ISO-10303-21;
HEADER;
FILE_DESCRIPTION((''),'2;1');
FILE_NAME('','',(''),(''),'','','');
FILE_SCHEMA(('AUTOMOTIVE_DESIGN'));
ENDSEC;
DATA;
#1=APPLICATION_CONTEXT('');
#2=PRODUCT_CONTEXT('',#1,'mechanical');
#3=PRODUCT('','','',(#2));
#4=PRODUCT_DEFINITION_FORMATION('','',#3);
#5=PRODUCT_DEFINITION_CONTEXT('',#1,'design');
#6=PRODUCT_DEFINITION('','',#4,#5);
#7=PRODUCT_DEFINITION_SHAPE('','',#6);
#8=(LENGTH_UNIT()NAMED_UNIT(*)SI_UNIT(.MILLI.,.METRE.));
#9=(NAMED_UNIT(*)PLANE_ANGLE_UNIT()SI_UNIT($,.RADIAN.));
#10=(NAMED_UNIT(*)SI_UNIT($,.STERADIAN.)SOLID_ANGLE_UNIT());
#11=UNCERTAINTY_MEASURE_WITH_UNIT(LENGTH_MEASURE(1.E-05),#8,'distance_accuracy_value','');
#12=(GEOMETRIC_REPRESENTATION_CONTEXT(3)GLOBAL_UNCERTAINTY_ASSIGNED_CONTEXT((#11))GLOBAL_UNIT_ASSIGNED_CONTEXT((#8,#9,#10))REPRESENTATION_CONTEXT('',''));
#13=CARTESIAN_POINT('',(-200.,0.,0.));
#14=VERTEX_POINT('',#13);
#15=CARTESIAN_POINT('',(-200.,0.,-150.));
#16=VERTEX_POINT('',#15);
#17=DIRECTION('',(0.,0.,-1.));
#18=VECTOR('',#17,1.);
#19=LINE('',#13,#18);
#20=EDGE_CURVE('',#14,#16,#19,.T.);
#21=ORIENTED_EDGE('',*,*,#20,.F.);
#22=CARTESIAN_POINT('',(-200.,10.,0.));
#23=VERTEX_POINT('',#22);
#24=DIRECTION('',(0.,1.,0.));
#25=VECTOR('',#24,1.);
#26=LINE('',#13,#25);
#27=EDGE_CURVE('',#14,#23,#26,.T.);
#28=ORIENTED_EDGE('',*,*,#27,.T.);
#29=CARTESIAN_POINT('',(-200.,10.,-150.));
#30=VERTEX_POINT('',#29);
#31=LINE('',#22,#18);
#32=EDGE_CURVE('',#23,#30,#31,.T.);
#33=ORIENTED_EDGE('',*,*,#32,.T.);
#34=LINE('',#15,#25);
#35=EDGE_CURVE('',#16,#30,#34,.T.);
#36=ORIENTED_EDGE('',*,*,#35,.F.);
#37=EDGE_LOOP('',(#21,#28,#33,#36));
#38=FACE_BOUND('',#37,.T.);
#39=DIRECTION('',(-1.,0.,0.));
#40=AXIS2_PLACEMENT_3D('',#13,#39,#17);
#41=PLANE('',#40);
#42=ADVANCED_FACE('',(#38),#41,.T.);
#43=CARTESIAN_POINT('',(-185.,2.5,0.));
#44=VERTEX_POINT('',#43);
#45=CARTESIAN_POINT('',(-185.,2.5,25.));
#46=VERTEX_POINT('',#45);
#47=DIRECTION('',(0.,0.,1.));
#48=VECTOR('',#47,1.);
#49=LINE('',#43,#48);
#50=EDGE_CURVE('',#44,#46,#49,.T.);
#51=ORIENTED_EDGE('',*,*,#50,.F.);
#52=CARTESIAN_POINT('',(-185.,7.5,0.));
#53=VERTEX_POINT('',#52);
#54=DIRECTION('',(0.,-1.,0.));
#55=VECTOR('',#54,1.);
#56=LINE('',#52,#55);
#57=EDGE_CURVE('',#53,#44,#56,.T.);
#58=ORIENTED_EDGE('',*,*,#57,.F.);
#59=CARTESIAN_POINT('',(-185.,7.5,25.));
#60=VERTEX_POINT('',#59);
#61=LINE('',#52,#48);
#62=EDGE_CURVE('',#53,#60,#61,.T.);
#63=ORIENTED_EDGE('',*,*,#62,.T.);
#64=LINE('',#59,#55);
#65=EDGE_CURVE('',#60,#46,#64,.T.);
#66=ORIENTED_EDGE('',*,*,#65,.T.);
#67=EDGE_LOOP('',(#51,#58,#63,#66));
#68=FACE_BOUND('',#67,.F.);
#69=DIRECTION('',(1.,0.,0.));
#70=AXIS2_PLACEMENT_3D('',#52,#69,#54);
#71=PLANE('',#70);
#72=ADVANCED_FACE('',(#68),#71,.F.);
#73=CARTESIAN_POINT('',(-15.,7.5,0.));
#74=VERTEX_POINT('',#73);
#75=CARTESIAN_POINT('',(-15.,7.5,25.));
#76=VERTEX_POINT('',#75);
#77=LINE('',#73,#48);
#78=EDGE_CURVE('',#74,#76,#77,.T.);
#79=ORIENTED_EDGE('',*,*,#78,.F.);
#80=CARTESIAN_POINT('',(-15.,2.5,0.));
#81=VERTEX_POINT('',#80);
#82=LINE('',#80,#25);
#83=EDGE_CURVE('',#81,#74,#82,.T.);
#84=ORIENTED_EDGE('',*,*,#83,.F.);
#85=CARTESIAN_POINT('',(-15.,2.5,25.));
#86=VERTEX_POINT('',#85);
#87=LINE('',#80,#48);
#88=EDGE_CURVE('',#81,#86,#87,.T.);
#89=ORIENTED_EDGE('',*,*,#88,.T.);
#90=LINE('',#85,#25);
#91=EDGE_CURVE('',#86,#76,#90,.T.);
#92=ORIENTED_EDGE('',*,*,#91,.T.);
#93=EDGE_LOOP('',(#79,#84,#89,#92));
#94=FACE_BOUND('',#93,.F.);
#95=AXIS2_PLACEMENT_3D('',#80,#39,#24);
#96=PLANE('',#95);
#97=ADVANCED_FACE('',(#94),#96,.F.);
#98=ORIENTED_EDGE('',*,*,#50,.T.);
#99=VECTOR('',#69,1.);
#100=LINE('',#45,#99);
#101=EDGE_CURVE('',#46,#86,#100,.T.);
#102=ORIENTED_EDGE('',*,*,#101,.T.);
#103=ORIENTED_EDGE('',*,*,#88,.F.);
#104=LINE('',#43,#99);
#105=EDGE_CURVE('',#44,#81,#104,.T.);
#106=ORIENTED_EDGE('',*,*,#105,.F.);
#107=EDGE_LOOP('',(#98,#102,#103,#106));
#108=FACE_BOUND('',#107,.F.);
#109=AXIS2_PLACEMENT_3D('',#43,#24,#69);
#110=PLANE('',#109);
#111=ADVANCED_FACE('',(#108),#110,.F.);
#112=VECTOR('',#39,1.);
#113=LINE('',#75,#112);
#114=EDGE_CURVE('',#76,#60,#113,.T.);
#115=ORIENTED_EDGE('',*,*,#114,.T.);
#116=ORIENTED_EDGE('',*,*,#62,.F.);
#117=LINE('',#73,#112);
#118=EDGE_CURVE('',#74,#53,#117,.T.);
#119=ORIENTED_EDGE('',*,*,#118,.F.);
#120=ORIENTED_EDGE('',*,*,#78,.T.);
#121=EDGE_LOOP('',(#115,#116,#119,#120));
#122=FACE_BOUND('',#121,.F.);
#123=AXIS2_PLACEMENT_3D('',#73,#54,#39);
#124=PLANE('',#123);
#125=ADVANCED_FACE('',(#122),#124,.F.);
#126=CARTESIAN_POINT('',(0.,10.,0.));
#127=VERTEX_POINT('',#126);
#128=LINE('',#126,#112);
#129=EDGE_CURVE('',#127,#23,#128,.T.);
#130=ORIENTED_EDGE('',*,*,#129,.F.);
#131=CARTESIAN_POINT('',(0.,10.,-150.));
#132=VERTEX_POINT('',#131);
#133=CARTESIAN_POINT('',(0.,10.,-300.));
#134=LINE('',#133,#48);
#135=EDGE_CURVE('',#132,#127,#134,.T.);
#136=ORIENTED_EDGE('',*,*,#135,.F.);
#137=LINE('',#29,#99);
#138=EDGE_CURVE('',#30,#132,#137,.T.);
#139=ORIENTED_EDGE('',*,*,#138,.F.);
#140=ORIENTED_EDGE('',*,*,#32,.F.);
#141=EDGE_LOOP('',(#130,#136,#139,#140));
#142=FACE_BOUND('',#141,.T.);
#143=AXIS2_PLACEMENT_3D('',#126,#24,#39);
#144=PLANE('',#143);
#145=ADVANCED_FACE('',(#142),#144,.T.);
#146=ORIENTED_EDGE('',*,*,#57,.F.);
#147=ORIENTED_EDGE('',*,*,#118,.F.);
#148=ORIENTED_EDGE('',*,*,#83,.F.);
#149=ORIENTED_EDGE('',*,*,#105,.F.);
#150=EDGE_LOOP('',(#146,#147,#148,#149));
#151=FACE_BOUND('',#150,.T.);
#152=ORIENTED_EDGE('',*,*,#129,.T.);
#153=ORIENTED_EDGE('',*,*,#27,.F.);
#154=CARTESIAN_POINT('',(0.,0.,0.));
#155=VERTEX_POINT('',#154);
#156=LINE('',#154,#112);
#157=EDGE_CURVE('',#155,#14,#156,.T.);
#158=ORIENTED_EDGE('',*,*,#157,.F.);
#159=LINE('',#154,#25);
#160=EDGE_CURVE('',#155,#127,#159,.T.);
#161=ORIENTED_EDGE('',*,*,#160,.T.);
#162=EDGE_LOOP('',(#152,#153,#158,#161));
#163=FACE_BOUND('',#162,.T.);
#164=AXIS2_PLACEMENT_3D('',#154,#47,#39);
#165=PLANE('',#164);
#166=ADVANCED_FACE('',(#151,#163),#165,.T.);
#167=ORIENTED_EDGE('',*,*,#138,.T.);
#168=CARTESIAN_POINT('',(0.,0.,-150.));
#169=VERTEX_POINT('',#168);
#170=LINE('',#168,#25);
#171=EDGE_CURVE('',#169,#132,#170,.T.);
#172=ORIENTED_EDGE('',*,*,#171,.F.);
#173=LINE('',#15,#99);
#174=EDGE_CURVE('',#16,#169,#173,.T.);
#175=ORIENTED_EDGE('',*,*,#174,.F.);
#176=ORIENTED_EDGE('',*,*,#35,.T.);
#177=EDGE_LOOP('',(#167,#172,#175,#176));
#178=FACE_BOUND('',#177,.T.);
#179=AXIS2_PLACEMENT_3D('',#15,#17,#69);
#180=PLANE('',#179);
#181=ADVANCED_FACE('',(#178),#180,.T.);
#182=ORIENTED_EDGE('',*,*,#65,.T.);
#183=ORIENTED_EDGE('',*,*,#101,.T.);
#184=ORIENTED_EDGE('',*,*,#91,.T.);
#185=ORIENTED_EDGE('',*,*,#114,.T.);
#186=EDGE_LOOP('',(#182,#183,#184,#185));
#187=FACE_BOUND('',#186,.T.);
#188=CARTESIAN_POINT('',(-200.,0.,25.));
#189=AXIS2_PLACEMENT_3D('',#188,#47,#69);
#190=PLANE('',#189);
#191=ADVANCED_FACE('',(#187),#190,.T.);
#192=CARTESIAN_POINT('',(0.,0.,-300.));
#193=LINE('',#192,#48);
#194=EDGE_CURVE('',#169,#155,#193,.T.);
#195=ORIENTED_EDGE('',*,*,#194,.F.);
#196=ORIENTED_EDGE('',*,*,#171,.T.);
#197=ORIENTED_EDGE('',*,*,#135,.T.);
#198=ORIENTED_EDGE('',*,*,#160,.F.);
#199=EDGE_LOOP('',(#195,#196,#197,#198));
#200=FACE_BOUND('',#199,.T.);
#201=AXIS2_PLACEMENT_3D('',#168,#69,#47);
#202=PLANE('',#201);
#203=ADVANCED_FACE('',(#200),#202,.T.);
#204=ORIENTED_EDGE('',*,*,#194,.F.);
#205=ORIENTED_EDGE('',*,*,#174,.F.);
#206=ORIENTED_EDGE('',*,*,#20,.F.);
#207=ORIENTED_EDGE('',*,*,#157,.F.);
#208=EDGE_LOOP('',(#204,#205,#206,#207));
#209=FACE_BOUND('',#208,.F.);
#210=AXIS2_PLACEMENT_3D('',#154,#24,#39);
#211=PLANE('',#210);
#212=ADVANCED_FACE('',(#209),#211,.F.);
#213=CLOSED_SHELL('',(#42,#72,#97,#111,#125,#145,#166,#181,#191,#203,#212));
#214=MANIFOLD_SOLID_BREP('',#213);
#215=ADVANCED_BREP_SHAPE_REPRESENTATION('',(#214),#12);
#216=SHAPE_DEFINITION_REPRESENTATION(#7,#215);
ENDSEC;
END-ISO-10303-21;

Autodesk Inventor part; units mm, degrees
ref_plane "YZ Plane" through (0, 0, 0) normal (1, 0, 0) x (0, 1, 0)
ref_plane "XZ Plane" through (0, 0, 0) normal (0, 1, 0) x (-1, 0, 0)
ref_plane "XY Plane" through (0, 0, 0) normal (0, 0, 1) x (1, 0, 0)
sketch "Sketch1" plane through (0, 0, 0) normal (0, 1, 0) x (-1, 0, 0)
  line L0 (0, 0) -> (200, 0)
  line L1 (200, 0) -> (200, -300)
  line L2 (200, -300) -> (0, -300)
  line L3 (0, -300) -> (0, 0)
  line L4 (0, 0) -> (200, 0)
  line L5 (200, 0) -> (200, -150)
  line L6 (200, -150) -> (0, -150)
  line L7 (0, -150) -> (0, 0)
  dimension "d0" = 200
  dimension "d1" = 300
  dimension "d2" = 200
  dimension "d3" = 150
extrude "Extrusion1" add sketch "Sketch1" along normal blind 10 contours L0 L1 L6 L3
sketch "Sketch2" plane through (-200, 0, 0) normal (0, 0, 1) x (1, 0, 0)
  line L0 (15, 2.5) -> (185, 2.5)
  line L1 (185, 2.5) -> (185, 7.5)
  line L2 (185, 7.5) -> (15, 7.5)
  line L3 (15, 7.5) -> (15, 2.5)
  point P0 (200, 0)
  dimension "d6" = 170
  dimension "d7" = 5
extrude "Extrusion2" add sketch "Sketch2" along normal blind 25
properties part number "Chassis Upper"
